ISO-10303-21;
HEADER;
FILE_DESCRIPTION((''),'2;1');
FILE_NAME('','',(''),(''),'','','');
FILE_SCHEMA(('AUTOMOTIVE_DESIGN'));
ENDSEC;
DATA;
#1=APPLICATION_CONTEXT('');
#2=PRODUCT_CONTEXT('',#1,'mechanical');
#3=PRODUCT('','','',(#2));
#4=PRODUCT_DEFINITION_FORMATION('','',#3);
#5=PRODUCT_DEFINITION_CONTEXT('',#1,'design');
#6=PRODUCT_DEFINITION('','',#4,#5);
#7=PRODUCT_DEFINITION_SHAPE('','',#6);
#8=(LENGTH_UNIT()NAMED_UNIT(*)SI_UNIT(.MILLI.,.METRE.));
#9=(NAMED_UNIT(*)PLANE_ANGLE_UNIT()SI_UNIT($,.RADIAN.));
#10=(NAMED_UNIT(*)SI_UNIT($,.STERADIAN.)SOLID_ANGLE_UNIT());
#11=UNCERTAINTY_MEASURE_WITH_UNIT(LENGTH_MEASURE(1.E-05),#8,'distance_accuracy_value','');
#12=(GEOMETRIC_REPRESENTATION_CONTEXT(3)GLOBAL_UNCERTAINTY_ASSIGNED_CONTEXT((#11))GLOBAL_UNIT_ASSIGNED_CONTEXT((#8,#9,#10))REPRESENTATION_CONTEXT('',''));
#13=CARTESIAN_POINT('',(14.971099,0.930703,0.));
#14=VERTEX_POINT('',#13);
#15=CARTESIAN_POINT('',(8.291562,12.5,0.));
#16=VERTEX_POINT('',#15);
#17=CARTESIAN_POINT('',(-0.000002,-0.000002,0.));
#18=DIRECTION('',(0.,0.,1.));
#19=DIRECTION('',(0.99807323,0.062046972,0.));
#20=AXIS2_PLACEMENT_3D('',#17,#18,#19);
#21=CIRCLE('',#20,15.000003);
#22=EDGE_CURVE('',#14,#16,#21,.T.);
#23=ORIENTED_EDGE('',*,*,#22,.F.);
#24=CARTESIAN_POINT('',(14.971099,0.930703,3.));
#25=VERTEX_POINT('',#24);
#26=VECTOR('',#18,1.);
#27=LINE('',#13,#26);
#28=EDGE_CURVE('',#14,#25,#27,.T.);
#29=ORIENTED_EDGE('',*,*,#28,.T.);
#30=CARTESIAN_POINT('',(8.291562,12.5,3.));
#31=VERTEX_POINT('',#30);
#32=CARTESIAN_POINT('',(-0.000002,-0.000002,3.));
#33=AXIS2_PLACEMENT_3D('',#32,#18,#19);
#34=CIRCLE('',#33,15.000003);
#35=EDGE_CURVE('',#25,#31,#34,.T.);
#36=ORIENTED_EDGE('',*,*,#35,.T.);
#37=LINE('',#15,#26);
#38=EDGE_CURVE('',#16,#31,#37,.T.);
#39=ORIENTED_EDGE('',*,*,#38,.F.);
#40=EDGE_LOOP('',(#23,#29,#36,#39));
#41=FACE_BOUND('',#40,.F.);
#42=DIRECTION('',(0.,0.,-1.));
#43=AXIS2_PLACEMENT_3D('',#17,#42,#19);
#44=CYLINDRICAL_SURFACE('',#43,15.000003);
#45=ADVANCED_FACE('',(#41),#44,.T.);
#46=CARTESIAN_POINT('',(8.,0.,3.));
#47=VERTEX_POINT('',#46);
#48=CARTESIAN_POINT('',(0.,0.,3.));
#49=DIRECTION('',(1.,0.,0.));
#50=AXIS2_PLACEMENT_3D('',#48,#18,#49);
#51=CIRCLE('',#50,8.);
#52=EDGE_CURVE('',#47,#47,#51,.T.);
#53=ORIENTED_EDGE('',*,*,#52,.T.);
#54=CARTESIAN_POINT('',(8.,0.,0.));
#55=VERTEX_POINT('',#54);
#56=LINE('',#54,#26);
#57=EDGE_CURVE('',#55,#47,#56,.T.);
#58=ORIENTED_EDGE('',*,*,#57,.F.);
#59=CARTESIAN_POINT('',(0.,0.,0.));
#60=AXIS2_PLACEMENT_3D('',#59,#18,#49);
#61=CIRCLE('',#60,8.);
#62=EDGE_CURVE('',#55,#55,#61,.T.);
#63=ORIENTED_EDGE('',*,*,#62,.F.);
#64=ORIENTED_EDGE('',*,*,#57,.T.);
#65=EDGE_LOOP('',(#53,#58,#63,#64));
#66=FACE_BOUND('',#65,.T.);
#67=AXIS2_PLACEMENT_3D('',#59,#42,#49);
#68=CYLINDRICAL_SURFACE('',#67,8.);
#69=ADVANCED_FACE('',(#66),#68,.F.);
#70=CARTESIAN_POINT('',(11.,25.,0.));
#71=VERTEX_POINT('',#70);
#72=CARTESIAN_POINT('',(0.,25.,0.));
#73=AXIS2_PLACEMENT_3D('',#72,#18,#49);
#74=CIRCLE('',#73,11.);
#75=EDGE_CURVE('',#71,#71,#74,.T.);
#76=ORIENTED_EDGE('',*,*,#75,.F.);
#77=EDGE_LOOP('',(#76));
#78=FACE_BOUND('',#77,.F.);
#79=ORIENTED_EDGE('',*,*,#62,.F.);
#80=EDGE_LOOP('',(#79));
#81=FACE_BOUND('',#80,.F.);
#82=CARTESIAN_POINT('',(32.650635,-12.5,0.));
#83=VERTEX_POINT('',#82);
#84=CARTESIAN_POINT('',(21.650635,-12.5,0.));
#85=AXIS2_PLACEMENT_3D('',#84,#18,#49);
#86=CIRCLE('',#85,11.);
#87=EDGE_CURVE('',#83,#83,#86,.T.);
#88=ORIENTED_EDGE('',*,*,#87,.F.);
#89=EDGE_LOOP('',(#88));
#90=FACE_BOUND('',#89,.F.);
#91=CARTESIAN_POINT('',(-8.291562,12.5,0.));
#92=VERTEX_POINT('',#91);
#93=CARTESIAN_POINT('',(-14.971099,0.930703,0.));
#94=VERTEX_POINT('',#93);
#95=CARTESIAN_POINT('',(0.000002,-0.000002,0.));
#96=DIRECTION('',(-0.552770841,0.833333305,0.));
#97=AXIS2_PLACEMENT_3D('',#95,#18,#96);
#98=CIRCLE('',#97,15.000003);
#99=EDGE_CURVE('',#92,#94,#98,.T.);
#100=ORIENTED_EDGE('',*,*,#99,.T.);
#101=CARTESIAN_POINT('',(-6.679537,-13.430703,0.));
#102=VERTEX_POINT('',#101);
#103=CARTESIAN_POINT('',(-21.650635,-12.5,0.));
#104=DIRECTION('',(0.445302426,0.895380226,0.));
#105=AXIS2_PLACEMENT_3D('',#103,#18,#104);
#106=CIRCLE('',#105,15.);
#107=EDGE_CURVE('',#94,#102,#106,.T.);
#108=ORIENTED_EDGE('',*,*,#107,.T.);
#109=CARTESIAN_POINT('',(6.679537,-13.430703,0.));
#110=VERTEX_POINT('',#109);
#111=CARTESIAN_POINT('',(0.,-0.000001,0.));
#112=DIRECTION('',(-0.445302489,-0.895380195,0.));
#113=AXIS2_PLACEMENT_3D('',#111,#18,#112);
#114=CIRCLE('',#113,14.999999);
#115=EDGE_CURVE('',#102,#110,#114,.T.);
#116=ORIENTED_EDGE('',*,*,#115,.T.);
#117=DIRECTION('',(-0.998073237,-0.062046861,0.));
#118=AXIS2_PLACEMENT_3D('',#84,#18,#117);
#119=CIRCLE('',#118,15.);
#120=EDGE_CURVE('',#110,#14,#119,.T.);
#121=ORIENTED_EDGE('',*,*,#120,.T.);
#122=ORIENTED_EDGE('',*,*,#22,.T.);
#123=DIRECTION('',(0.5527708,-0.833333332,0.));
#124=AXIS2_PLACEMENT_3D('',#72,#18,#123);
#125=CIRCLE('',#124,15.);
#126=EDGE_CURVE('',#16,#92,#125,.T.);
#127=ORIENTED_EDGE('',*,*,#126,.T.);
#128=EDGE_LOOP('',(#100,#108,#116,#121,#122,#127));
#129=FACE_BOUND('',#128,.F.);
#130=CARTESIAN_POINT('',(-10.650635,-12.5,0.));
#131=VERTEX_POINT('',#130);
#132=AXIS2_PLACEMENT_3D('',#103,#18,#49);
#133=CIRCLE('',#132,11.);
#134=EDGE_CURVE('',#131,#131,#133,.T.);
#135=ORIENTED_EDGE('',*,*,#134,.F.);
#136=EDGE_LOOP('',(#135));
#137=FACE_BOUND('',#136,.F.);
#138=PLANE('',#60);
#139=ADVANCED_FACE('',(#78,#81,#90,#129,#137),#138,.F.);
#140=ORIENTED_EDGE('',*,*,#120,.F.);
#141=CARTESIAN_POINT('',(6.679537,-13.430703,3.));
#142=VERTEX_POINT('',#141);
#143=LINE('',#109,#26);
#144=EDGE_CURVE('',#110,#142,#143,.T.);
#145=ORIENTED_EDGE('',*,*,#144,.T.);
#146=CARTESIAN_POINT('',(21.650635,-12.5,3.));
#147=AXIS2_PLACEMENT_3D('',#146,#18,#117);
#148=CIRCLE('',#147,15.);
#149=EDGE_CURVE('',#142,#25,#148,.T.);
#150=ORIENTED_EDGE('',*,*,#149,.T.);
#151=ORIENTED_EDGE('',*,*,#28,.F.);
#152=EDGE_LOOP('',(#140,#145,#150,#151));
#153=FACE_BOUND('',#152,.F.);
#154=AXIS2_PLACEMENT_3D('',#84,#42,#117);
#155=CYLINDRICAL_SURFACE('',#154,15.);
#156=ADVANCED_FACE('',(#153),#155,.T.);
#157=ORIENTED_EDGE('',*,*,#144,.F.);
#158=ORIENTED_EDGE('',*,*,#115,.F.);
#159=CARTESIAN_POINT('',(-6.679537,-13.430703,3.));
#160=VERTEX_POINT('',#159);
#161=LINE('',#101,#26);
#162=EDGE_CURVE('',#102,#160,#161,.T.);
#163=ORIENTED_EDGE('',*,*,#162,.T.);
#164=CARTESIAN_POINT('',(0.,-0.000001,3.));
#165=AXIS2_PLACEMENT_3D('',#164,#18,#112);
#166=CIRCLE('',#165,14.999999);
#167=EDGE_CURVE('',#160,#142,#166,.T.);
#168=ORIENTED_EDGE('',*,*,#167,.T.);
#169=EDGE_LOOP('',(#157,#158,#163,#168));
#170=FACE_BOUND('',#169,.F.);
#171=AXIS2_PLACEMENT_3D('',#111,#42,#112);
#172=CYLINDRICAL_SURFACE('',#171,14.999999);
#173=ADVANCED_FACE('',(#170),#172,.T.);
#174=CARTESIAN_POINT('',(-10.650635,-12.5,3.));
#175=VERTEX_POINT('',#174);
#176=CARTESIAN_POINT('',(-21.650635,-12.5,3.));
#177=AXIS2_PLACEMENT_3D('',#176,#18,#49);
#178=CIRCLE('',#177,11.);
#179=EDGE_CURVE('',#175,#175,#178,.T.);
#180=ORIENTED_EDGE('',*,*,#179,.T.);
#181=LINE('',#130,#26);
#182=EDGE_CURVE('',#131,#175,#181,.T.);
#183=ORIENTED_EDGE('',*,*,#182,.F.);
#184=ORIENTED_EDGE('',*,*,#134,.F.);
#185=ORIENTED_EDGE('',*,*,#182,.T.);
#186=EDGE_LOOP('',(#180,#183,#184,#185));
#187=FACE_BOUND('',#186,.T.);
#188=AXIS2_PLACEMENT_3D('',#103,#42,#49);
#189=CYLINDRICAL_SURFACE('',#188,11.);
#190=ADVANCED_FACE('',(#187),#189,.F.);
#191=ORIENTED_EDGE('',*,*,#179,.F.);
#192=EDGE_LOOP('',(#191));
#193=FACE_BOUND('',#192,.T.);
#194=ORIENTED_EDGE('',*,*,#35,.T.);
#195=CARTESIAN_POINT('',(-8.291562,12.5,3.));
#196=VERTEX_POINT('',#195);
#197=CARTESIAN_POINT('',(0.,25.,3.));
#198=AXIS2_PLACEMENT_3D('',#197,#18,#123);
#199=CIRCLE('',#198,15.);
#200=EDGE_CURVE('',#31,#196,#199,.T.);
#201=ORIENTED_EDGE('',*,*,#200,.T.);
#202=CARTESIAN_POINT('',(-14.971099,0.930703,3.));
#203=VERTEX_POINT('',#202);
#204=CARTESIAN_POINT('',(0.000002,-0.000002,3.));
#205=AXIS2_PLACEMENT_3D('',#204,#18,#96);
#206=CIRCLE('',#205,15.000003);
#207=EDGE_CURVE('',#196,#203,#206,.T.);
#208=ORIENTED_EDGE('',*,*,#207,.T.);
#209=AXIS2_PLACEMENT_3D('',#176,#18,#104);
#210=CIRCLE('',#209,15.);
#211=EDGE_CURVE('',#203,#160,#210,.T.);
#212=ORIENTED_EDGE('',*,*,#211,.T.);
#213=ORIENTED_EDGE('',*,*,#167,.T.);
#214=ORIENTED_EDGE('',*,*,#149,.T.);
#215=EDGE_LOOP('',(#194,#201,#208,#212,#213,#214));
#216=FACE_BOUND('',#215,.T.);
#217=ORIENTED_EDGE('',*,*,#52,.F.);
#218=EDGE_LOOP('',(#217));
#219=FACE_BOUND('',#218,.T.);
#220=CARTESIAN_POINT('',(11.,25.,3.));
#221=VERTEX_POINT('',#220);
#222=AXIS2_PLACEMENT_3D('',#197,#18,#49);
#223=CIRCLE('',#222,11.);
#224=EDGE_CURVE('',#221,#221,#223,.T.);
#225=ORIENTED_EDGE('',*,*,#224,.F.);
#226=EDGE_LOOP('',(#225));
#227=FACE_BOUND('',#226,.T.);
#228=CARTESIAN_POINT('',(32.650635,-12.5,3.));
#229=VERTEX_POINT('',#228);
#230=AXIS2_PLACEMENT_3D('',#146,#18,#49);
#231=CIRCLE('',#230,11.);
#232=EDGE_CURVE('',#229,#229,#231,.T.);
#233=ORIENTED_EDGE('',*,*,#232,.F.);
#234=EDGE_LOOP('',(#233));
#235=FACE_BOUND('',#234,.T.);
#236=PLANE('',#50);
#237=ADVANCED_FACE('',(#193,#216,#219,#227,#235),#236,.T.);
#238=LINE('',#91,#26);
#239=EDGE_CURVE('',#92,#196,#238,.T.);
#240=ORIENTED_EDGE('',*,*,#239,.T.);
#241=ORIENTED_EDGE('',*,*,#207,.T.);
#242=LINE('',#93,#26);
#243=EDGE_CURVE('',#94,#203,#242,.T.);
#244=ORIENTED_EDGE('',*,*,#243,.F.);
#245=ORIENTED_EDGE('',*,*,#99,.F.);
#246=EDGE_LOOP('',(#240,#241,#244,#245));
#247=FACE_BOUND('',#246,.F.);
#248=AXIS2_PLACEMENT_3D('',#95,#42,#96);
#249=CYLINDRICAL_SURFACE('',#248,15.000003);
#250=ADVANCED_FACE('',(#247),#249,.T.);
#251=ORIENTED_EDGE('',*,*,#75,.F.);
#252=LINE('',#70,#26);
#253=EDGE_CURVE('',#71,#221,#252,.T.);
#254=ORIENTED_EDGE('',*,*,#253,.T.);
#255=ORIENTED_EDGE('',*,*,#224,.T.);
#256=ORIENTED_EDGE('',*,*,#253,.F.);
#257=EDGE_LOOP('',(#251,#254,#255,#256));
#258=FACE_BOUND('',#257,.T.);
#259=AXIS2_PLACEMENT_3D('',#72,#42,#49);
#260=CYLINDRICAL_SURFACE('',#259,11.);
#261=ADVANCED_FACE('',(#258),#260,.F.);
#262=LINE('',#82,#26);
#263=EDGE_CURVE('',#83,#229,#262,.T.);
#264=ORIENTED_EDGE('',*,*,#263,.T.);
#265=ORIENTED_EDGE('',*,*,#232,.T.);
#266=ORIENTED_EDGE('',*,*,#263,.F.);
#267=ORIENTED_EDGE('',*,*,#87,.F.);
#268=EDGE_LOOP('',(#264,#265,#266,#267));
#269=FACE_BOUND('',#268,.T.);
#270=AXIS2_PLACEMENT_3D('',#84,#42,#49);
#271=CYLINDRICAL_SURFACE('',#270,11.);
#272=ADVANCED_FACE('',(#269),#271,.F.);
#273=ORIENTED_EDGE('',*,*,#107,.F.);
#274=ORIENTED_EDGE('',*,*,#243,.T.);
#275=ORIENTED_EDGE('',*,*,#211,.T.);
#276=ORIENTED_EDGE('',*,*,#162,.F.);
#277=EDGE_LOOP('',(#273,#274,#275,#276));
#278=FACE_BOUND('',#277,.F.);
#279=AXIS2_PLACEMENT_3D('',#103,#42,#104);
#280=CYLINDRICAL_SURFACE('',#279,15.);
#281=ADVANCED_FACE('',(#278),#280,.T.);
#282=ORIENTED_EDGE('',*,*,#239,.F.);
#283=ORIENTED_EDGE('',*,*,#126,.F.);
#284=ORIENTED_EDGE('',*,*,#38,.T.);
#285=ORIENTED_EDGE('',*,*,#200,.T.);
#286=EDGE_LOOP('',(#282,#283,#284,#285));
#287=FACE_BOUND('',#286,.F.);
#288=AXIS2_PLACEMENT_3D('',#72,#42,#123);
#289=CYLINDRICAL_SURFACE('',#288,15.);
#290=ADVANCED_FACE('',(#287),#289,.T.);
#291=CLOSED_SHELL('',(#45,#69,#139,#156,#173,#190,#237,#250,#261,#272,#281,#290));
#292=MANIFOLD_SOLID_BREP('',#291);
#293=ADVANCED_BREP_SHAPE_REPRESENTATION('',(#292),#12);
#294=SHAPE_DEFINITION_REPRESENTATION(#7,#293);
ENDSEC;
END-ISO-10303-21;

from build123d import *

# Parameters (mm, degrees)
F0_R     = 11
F0_R_2   = 8
F1_DEPTH = 3


with BuildPart() as f1:
    # F0 (on Top) → F1 (new body)
    with BuildSketch(Plane.XY):
        with BuildLine():
            ThreePointArc((8.291562, 12.5), (0, 40), (-8.291562, 12.5))
            ThreePointArc((-8.291562, 12.5), (-12.990381, 7.5), (-14.971099, 0.930703))
            ThreePointArc((-14.971099, 0.930703), (-34.641016, -20), (-6.679537, -13.430703))
            ThreePointArc((-6.679537, -13.430703), (0, -15), (6.679537, -13.430703))
            ThreePointArc((6.679537, -13.430703), (34.641016, -20), (14.971099, 0.930703))
            ThreePointArc((14.971099, 0.930703), (12.990381, 7.5), (8.291562, 12.5))
        make_face()
        with Locations((-21.650635, -12.5)):
            Circle(F0_R, mode=Mode.SUBTRACT)
        with Locations((21.650635, -12.5)):
            Circle(F0_R, mode=Mode.SUBTRACT)
        Circle(F0_R_2, mode=Mode.SUBTRACT)
        with Locations((0, 25)):
            Circle(F0_R, mode=Mode.SUBTRACT)
    extrude(amount=F1_DEPTH)


solid = f1.part
